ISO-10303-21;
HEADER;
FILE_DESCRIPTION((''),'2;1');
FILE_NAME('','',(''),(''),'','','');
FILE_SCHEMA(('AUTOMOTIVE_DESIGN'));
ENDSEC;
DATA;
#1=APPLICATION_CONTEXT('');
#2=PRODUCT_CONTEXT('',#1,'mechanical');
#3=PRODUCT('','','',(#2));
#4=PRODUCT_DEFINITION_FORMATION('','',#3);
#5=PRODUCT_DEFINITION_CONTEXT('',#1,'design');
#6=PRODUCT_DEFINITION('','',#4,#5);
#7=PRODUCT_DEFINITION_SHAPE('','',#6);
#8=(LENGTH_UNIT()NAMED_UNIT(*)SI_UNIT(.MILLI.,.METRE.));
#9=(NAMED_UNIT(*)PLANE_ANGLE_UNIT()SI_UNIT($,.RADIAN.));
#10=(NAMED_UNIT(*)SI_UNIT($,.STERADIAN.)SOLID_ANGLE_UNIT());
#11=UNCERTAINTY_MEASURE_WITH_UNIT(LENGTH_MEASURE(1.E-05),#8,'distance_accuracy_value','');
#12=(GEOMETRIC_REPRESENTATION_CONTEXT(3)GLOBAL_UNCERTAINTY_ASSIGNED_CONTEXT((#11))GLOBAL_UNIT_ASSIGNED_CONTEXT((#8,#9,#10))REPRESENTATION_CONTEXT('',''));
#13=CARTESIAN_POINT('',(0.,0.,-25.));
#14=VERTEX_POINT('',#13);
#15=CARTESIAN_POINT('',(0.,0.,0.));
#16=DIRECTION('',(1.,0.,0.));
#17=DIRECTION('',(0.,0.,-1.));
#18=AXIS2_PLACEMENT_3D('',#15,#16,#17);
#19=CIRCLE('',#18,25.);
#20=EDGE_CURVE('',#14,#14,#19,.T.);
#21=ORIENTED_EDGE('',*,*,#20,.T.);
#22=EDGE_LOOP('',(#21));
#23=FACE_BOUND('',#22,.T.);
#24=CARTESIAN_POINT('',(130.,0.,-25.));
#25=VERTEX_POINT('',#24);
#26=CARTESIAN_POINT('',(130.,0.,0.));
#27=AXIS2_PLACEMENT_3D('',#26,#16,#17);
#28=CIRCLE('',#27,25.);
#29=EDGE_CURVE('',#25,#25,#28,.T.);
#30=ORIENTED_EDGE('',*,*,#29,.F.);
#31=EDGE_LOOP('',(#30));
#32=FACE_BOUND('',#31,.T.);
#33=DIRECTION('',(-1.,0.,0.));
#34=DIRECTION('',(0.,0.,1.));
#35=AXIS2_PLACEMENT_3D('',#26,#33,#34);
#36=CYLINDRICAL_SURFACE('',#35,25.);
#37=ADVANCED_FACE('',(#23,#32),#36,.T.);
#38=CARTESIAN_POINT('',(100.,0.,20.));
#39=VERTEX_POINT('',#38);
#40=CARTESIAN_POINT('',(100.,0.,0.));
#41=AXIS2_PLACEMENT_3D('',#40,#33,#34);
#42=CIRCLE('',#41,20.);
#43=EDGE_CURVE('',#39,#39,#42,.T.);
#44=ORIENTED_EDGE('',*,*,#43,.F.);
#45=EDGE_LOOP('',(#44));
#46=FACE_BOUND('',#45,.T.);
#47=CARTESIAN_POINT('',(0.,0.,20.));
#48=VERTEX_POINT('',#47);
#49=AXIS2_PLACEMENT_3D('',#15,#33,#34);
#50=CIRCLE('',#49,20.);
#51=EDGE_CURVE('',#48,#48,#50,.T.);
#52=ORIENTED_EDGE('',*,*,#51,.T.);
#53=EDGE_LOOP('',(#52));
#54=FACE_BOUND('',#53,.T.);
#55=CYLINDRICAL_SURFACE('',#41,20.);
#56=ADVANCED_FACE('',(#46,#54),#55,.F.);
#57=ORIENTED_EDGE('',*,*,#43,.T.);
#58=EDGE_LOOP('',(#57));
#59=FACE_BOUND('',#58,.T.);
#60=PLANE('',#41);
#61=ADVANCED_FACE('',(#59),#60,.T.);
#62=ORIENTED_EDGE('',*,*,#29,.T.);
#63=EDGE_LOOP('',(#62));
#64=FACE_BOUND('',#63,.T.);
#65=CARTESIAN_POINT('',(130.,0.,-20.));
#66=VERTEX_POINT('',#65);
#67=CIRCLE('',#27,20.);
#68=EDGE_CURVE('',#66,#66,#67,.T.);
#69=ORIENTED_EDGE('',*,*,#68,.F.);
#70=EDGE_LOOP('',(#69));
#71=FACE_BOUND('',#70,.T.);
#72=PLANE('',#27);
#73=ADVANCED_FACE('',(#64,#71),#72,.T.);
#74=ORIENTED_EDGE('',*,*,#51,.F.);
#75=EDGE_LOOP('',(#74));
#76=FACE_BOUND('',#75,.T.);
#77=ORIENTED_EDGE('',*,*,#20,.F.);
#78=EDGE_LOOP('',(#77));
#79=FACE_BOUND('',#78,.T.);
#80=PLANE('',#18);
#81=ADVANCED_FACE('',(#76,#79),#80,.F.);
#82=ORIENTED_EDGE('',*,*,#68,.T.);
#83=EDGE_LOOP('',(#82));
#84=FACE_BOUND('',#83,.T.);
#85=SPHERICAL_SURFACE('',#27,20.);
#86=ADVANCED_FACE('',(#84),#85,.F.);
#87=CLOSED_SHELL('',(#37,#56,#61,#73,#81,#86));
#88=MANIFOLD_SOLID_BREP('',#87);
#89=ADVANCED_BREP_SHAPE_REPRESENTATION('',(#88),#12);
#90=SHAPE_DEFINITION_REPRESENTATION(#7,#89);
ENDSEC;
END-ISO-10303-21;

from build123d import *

# Parameters (mm, degrees)
SKETCH1_R           = 25
BOSS_EXTRUDE1_DEPTH = 130
SKETCH3_R           = 20
CUT_EXTRUDE1_DEPTH  = 100


with BuildPart() as part:
    # Sketch1 → Boss-Extrude1 (new body)
    with BuildSketch(Plane(origin=(0, 0, 0), x_dir=(0, 0, -1), z_dir=(1, 0, 0))):
        Circle(SKETCH1_R)
    extrude(amount=BOSS_EXTRUDE1_DEPTH)

    # Sketch2 → Cut-Revolve3 (revolve, cut)
    with BuildSketch(Plane(origin=(130, 0, 0), x_dir=(0, 0, -1), z_dir=(1, 0, 0))):
        with BuildLine():
            Line((-20, 0), (20, 0))
            ThreePointArc((20, 0), (0, 20), (-20, 0))
        make_face()
    revolve(axis=Axis((130, 0, 20), (0, 0, -1)), mode=Mode.SUBTRACT)

    # Sketch3 → Cut-Extrude1 (cut)
    with BuildSketch(Plane.ZY):
        Circle(SKETCH3_R)
    extrude(amount=-CUT_EXTRUDE1_DEPTH, mode=Mode.SUBTRACT)


solid = part.part
